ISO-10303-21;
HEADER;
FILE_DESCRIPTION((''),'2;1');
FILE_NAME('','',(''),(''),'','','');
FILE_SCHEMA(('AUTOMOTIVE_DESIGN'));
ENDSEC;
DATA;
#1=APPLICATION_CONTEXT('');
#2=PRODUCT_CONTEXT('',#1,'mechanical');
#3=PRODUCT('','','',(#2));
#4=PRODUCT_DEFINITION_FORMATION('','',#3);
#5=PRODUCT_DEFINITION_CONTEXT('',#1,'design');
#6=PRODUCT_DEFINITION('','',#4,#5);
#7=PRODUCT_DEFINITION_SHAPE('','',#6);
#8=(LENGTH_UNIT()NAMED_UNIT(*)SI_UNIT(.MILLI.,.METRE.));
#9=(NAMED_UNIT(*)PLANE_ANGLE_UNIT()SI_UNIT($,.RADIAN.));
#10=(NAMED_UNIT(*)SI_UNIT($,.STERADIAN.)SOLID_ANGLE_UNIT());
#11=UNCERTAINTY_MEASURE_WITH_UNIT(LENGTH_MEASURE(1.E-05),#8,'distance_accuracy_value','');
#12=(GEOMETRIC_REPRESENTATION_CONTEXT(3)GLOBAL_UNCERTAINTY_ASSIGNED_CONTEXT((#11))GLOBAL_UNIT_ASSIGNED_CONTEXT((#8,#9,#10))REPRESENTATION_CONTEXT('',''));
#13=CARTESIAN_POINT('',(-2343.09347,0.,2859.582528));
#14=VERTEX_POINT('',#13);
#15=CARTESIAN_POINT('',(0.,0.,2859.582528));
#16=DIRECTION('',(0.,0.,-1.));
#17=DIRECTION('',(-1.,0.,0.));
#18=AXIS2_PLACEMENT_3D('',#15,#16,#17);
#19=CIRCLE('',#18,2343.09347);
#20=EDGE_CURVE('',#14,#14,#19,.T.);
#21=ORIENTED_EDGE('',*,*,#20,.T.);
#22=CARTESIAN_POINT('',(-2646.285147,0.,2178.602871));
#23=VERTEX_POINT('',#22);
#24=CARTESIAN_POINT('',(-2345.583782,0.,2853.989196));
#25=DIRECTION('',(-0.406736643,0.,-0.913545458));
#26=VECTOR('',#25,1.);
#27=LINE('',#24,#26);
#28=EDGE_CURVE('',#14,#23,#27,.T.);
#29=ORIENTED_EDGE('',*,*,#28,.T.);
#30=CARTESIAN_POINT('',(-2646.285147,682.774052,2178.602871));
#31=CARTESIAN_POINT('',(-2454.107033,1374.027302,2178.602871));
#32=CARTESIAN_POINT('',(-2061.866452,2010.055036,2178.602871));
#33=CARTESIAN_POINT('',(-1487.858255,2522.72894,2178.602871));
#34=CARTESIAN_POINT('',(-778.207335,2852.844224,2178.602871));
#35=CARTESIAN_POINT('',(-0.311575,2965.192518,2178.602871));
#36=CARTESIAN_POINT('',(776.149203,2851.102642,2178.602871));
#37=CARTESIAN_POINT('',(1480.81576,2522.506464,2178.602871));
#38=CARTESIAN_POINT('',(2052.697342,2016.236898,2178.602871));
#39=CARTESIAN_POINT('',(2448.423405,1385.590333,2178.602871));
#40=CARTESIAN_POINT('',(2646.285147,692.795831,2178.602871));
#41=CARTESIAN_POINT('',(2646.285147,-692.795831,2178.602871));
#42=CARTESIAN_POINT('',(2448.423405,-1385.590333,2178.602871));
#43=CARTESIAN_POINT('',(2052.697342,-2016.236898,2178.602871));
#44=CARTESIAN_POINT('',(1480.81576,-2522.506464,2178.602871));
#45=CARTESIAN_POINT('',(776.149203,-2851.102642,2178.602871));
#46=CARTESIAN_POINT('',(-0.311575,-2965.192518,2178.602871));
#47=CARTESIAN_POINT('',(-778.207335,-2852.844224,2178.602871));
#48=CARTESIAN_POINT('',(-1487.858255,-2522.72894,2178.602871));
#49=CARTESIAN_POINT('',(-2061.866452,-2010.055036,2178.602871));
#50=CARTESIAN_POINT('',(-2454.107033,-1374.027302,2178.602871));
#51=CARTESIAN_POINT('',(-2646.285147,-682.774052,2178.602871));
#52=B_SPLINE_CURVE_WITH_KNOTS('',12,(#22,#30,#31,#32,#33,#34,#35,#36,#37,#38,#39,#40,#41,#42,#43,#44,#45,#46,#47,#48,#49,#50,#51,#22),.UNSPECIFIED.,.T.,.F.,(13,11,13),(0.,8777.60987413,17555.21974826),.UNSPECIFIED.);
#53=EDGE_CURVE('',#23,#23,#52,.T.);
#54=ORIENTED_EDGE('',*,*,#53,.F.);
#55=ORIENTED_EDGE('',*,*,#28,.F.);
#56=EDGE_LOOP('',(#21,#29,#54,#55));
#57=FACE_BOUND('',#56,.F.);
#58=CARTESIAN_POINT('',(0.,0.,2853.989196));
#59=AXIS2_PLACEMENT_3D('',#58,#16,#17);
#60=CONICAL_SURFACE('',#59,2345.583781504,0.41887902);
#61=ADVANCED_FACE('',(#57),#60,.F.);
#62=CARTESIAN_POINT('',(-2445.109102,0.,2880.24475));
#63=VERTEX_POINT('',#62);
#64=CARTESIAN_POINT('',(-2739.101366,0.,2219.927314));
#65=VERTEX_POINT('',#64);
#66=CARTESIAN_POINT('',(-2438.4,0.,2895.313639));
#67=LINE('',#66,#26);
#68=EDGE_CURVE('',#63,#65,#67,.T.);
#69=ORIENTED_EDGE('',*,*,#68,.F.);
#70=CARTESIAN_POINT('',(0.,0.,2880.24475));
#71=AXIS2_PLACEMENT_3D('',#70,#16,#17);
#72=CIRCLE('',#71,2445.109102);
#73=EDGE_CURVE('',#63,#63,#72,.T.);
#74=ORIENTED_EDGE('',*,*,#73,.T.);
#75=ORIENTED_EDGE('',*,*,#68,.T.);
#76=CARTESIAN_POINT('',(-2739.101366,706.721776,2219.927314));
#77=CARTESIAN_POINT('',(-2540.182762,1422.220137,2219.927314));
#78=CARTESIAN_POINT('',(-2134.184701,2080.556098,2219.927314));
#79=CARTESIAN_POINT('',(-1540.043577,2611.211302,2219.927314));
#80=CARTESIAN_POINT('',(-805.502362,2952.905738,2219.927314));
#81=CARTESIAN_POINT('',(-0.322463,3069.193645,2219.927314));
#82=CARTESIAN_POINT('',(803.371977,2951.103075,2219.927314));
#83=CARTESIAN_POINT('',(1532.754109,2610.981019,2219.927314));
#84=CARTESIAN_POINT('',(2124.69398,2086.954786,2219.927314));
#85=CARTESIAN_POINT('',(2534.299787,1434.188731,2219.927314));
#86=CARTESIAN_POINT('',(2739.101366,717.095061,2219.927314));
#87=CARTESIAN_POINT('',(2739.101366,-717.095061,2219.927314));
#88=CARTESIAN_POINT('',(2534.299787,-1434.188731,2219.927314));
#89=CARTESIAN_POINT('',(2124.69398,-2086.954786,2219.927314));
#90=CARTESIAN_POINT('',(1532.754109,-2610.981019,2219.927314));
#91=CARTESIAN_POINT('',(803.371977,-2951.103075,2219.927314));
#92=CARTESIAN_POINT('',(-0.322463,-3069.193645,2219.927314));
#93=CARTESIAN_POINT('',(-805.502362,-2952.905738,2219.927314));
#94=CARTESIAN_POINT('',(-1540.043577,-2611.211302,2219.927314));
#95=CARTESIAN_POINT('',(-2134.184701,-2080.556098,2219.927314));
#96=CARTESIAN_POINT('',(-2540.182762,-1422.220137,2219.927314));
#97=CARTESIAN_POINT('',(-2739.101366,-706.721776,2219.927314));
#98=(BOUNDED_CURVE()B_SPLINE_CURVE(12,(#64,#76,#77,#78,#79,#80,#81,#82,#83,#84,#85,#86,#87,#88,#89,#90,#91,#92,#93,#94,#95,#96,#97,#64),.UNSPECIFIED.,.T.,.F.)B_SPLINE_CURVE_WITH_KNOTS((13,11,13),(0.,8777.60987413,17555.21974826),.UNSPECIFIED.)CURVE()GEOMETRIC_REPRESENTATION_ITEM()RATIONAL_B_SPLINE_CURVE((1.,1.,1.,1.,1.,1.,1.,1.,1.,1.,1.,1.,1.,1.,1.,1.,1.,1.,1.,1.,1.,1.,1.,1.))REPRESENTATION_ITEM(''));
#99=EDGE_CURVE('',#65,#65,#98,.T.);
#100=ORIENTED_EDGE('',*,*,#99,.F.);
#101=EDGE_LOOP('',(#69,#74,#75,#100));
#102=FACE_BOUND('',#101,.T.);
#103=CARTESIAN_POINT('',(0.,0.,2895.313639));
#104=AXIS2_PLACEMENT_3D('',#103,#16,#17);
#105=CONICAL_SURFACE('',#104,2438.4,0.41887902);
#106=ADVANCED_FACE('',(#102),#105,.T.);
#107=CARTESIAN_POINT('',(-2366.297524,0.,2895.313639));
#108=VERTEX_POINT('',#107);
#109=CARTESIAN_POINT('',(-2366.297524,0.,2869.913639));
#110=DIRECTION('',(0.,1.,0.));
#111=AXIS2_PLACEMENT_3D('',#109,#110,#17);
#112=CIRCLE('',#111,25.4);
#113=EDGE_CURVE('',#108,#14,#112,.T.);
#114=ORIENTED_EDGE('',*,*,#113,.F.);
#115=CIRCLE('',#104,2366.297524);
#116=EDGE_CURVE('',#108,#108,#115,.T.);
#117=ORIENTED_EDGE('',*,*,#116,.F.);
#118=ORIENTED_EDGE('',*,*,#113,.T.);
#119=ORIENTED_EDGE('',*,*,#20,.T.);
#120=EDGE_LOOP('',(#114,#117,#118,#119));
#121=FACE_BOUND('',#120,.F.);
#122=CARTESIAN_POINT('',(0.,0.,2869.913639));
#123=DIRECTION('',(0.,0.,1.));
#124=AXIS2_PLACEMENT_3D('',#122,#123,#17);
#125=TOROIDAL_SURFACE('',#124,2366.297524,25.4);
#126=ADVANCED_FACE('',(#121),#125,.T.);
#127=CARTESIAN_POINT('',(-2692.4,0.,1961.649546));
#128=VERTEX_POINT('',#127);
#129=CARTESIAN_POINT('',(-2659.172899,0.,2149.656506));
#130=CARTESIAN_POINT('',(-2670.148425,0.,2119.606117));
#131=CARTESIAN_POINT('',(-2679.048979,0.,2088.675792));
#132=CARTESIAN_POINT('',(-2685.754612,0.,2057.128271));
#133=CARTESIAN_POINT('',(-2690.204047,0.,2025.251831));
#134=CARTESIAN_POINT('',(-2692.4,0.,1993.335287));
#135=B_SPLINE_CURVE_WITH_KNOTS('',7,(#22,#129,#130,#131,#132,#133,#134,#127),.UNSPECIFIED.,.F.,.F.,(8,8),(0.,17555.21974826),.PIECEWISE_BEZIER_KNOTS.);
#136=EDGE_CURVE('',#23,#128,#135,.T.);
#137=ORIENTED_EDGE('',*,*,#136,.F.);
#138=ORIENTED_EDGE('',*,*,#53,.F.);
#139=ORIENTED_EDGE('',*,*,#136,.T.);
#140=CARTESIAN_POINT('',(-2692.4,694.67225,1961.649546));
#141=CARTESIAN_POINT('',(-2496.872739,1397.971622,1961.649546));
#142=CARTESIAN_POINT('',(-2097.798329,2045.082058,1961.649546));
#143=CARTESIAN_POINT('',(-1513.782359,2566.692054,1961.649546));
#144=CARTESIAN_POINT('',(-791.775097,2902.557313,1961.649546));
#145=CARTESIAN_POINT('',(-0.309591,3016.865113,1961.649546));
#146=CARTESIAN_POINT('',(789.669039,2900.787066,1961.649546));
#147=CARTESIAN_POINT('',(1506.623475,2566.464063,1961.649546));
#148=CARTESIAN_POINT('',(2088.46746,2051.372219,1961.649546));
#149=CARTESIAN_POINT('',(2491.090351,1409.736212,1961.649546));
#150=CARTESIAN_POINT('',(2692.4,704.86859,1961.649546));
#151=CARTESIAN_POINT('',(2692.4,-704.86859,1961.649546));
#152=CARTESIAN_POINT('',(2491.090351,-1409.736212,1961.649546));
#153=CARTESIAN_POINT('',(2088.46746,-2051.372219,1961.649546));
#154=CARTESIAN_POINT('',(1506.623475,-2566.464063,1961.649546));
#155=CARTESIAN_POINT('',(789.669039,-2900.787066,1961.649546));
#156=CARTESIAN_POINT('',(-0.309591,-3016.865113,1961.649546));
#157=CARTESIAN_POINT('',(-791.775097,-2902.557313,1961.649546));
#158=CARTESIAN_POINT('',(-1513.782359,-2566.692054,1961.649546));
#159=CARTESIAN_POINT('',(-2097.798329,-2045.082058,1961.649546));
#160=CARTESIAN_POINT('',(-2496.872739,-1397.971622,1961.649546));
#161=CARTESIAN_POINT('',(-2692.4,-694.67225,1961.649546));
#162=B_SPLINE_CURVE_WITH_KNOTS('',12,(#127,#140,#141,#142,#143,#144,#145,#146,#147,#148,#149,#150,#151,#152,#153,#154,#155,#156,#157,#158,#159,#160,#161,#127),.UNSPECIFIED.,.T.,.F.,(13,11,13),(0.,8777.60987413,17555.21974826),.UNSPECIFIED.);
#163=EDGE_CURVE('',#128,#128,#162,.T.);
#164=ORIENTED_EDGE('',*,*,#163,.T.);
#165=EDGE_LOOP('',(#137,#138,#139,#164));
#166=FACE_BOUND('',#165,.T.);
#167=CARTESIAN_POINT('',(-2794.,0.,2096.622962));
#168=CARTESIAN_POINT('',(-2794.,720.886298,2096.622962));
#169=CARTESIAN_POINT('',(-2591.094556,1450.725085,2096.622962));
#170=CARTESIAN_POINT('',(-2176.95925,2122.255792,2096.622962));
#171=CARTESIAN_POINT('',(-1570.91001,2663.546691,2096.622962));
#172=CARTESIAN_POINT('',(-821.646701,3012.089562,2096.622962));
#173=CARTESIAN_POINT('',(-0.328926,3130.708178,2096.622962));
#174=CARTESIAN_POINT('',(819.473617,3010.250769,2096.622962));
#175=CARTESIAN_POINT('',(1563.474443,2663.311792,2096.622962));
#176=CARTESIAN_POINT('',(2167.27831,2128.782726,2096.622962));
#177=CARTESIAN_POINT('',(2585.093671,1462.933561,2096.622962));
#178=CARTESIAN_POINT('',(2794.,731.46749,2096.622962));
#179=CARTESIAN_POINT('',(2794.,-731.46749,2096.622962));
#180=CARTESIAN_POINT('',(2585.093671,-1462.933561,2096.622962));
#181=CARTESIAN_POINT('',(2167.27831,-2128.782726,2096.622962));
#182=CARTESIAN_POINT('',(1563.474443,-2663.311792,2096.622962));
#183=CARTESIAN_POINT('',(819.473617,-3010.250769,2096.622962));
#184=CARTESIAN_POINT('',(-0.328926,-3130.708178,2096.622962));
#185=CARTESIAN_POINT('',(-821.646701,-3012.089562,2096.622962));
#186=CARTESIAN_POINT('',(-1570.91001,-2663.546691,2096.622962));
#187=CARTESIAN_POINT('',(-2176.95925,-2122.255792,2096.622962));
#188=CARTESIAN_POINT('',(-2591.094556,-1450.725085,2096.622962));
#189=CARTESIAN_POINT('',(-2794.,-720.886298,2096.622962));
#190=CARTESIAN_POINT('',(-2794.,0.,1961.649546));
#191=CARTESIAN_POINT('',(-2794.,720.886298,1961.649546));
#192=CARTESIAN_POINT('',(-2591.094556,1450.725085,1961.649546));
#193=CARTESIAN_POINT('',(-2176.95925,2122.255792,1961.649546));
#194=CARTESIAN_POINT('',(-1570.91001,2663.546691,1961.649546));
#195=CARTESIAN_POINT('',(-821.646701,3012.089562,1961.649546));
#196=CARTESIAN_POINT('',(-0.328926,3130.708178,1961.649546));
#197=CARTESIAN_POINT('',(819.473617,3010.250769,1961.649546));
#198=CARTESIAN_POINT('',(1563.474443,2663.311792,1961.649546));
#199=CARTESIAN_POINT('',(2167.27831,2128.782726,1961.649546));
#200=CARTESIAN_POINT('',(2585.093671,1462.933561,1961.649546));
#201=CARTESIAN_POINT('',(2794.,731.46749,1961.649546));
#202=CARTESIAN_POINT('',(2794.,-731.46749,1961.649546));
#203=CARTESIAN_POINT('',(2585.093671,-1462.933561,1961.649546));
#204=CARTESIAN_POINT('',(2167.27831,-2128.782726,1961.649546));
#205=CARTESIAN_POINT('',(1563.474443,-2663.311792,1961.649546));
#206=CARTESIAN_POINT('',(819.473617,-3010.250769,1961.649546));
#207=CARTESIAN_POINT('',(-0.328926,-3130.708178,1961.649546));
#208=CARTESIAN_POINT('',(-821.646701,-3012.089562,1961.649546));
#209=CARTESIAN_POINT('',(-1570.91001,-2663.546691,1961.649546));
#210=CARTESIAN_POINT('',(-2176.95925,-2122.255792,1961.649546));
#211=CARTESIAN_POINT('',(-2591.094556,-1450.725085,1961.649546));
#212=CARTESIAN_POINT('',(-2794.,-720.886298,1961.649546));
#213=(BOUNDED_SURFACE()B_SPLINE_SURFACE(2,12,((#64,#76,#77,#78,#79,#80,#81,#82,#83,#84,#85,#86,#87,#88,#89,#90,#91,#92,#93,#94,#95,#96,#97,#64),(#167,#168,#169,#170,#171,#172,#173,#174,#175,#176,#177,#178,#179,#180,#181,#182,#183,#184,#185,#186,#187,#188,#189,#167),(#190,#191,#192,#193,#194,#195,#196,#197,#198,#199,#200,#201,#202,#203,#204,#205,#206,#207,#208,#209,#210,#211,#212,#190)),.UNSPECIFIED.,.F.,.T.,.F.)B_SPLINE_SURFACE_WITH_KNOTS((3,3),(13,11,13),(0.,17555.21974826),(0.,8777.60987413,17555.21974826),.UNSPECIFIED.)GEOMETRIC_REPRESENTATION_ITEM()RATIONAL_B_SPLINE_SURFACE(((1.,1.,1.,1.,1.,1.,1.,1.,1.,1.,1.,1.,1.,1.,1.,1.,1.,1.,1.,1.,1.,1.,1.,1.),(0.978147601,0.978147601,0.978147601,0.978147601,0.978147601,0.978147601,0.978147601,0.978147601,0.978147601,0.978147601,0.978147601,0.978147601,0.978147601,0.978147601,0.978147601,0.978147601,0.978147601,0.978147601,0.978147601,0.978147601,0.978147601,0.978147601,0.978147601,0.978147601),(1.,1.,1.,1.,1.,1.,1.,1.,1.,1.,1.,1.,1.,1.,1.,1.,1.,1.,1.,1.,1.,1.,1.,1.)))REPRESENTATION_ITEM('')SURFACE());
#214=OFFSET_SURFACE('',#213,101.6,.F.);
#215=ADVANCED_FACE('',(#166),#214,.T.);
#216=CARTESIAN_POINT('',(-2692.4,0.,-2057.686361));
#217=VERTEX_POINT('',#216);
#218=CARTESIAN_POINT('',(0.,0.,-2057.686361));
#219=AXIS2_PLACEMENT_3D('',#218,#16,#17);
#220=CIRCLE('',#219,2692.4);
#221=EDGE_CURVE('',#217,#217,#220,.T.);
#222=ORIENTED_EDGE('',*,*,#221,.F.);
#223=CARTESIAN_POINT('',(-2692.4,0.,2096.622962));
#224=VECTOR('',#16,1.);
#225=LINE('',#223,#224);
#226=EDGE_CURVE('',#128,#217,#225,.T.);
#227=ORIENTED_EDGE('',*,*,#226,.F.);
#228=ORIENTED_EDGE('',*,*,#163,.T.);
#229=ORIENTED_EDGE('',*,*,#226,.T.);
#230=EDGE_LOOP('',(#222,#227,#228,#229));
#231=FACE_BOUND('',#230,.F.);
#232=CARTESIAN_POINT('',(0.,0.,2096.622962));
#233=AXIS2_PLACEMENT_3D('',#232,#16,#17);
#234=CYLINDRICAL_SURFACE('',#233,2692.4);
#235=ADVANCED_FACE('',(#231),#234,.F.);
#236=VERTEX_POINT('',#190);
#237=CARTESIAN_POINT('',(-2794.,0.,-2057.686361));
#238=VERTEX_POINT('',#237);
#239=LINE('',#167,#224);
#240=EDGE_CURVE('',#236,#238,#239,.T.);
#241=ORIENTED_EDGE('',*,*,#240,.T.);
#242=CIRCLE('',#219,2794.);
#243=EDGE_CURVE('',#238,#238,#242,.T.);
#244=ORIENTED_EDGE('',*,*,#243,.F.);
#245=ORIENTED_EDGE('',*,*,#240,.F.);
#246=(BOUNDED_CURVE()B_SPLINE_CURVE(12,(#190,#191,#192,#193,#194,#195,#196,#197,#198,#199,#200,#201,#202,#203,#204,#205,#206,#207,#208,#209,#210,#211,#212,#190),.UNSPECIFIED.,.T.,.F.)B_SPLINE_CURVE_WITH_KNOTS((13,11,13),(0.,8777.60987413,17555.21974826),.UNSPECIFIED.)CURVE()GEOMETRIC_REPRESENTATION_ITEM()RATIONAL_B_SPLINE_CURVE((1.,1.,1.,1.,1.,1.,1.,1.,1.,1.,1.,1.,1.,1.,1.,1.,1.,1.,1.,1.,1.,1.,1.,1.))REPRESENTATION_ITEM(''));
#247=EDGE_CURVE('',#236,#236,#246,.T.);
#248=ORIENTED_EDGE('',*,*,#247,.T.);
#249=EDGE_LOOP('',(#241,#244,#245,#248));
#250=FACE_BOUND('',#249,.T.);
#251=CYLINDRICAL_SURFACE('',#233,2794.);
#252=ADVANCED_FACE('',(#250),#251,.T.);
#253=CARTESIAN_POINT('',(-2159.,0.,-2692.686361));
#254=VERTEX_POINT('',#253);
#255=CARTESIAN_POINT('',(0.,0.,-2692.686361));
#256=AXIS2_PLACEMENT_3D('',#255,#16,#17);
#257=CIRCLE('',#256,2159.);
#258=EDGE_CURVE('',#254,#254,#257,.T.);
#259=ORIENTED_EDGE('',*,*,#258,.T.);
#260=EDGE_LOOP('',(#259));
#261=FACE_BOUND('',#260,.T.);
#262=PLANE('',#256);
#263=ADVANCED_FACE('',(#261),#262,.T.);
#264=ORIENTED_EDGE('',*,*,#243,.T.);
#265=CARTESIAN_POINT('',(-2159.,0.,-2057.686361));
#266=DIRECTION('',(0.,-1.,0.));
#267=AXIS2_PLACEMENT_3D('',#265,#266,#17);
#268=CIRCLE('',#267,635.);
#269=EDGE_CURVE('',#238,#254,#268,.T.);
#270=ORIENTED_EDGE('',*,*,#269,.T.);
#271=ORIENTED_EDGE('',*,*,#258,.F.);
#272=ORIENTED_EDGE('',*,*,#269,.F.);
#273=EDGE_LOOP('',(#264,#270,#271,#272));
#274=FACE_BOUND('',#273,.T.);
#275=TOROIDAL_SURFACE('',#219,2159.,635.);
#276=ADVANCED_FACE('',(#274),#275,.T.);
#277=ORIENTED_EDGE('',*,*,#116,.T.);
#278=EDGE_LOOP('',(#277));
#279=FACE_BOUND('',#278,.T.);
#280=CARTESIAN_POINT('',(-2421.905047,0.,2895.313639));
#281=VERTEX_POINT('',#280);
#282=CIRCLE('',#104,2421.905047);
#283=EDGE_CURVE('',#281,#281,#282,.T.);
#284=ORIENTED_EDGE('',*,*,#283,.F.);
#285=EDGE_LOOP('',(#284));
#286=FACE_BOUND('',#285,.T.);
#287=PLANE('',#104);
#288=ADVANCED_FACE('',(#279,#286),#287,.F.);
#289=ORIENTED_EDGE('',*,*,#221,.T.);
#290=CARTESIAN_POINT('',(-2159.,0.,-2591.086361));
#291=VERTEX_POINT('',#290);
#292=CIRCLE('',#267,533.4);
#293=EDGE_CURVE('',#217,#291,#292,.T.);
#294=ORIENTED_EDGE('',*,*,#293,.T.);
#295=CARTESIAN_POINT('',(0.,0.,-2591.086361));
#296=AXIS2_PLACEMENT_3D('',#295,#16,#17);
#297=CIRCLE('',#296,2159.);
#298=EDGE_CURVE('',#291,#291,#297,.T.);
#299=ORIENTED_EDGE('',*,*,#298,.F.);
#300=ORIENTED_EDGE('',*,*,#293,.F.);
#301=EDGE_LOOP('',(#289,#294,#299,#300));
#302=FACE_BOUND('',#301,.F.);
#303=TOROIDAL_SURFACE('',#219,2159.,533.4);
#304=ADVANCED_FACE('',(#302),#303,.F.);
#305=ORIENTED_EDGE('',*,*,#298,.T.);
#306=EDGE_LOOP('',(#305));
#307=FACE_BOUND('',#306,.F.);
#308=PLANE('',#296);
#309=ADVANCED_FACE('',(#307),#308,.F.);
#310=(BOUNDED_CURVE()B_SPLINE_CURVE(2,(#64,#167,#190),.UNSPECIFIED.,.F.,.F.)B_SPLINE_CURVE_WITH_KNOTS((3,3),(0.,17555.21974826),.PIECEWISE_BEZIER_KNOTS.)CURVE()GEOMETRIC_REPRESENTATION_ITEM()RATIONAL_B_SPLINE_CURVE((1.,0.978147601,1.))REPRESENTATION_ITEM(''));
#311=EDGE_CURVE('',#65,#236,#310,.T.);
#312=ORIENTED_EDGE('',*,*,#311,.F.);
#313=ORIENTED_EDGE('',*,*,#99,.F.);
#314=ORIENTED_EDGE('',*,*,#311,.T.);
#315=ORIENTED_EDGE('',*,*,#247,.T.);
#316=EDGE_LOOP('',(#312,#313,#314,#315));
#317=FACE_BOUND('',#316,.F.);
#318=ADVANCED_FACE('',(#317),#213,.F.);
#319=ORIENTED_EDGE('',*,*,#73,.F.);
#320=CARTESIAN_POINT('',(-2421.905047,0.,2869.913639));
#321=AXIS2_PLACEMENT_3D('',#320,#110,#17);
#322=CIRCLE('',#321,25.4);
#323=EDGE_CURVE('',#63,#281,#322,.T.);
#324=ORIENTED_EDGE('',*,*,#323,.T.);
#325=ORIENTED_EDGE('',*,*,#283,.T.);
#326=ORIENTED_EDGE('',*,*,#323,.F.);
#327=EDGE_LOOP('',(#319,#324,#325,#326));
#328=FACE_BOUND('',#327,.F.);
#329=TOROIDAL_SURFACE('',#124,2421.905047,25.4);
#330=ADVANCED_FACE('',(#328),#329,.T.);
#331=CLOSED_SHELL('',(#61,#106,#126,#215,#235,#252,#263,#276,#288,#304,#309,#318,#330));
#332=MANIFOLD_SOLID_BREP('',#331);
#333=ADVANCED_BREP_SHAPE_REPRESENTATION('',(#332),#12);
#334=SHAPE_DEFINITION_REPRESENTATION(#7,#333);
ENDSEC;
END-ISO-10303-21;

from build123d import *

# Parameters (mm, degrees)
F2_R = 635
F3_T = -101.6
F4_R = 25.4


with BuildPart() as f1:
    # F0 (on Front) → F1 (revolve)
    with BuildSketch(Plane.XZ):
        Polygon((0, 2895.3136389758), (-2438.4, 2895.3136389758), (-2794, 2096.6229621755), (-2794, -2692.6863610242), (0, -2692.6863610242), (0, 0), align=None)
    revolve(axis=Axis((0, 0, 1447.6568194879), (0, 0, -1)))

    # F2
    f2_edges = [f1.edges().sort_by_distance(p)[0] for p in [
        (2794, 0, -2692.686361),
        (2794, 0, 2096.622962),
    ]]
    fillet(f2_edges, radius=F2_R)

    # F3
    f3_openings = [f1.faces().sort_by_distance(p)[0] for p in [
        (0, 0, 2895.313639),
    ]]
    offset(amount=F3_T, openings=f3_openings)

    # F4
    f4_edges = [f1.edges().sort_by_distance(p)[0] for p in [
        (2327.184954, 0, 2895.313639),
        (2438.4, 0, 2895.313639),
    ]]
    fillet(f4_edges, radius=F4_R)


solid = f1.part
